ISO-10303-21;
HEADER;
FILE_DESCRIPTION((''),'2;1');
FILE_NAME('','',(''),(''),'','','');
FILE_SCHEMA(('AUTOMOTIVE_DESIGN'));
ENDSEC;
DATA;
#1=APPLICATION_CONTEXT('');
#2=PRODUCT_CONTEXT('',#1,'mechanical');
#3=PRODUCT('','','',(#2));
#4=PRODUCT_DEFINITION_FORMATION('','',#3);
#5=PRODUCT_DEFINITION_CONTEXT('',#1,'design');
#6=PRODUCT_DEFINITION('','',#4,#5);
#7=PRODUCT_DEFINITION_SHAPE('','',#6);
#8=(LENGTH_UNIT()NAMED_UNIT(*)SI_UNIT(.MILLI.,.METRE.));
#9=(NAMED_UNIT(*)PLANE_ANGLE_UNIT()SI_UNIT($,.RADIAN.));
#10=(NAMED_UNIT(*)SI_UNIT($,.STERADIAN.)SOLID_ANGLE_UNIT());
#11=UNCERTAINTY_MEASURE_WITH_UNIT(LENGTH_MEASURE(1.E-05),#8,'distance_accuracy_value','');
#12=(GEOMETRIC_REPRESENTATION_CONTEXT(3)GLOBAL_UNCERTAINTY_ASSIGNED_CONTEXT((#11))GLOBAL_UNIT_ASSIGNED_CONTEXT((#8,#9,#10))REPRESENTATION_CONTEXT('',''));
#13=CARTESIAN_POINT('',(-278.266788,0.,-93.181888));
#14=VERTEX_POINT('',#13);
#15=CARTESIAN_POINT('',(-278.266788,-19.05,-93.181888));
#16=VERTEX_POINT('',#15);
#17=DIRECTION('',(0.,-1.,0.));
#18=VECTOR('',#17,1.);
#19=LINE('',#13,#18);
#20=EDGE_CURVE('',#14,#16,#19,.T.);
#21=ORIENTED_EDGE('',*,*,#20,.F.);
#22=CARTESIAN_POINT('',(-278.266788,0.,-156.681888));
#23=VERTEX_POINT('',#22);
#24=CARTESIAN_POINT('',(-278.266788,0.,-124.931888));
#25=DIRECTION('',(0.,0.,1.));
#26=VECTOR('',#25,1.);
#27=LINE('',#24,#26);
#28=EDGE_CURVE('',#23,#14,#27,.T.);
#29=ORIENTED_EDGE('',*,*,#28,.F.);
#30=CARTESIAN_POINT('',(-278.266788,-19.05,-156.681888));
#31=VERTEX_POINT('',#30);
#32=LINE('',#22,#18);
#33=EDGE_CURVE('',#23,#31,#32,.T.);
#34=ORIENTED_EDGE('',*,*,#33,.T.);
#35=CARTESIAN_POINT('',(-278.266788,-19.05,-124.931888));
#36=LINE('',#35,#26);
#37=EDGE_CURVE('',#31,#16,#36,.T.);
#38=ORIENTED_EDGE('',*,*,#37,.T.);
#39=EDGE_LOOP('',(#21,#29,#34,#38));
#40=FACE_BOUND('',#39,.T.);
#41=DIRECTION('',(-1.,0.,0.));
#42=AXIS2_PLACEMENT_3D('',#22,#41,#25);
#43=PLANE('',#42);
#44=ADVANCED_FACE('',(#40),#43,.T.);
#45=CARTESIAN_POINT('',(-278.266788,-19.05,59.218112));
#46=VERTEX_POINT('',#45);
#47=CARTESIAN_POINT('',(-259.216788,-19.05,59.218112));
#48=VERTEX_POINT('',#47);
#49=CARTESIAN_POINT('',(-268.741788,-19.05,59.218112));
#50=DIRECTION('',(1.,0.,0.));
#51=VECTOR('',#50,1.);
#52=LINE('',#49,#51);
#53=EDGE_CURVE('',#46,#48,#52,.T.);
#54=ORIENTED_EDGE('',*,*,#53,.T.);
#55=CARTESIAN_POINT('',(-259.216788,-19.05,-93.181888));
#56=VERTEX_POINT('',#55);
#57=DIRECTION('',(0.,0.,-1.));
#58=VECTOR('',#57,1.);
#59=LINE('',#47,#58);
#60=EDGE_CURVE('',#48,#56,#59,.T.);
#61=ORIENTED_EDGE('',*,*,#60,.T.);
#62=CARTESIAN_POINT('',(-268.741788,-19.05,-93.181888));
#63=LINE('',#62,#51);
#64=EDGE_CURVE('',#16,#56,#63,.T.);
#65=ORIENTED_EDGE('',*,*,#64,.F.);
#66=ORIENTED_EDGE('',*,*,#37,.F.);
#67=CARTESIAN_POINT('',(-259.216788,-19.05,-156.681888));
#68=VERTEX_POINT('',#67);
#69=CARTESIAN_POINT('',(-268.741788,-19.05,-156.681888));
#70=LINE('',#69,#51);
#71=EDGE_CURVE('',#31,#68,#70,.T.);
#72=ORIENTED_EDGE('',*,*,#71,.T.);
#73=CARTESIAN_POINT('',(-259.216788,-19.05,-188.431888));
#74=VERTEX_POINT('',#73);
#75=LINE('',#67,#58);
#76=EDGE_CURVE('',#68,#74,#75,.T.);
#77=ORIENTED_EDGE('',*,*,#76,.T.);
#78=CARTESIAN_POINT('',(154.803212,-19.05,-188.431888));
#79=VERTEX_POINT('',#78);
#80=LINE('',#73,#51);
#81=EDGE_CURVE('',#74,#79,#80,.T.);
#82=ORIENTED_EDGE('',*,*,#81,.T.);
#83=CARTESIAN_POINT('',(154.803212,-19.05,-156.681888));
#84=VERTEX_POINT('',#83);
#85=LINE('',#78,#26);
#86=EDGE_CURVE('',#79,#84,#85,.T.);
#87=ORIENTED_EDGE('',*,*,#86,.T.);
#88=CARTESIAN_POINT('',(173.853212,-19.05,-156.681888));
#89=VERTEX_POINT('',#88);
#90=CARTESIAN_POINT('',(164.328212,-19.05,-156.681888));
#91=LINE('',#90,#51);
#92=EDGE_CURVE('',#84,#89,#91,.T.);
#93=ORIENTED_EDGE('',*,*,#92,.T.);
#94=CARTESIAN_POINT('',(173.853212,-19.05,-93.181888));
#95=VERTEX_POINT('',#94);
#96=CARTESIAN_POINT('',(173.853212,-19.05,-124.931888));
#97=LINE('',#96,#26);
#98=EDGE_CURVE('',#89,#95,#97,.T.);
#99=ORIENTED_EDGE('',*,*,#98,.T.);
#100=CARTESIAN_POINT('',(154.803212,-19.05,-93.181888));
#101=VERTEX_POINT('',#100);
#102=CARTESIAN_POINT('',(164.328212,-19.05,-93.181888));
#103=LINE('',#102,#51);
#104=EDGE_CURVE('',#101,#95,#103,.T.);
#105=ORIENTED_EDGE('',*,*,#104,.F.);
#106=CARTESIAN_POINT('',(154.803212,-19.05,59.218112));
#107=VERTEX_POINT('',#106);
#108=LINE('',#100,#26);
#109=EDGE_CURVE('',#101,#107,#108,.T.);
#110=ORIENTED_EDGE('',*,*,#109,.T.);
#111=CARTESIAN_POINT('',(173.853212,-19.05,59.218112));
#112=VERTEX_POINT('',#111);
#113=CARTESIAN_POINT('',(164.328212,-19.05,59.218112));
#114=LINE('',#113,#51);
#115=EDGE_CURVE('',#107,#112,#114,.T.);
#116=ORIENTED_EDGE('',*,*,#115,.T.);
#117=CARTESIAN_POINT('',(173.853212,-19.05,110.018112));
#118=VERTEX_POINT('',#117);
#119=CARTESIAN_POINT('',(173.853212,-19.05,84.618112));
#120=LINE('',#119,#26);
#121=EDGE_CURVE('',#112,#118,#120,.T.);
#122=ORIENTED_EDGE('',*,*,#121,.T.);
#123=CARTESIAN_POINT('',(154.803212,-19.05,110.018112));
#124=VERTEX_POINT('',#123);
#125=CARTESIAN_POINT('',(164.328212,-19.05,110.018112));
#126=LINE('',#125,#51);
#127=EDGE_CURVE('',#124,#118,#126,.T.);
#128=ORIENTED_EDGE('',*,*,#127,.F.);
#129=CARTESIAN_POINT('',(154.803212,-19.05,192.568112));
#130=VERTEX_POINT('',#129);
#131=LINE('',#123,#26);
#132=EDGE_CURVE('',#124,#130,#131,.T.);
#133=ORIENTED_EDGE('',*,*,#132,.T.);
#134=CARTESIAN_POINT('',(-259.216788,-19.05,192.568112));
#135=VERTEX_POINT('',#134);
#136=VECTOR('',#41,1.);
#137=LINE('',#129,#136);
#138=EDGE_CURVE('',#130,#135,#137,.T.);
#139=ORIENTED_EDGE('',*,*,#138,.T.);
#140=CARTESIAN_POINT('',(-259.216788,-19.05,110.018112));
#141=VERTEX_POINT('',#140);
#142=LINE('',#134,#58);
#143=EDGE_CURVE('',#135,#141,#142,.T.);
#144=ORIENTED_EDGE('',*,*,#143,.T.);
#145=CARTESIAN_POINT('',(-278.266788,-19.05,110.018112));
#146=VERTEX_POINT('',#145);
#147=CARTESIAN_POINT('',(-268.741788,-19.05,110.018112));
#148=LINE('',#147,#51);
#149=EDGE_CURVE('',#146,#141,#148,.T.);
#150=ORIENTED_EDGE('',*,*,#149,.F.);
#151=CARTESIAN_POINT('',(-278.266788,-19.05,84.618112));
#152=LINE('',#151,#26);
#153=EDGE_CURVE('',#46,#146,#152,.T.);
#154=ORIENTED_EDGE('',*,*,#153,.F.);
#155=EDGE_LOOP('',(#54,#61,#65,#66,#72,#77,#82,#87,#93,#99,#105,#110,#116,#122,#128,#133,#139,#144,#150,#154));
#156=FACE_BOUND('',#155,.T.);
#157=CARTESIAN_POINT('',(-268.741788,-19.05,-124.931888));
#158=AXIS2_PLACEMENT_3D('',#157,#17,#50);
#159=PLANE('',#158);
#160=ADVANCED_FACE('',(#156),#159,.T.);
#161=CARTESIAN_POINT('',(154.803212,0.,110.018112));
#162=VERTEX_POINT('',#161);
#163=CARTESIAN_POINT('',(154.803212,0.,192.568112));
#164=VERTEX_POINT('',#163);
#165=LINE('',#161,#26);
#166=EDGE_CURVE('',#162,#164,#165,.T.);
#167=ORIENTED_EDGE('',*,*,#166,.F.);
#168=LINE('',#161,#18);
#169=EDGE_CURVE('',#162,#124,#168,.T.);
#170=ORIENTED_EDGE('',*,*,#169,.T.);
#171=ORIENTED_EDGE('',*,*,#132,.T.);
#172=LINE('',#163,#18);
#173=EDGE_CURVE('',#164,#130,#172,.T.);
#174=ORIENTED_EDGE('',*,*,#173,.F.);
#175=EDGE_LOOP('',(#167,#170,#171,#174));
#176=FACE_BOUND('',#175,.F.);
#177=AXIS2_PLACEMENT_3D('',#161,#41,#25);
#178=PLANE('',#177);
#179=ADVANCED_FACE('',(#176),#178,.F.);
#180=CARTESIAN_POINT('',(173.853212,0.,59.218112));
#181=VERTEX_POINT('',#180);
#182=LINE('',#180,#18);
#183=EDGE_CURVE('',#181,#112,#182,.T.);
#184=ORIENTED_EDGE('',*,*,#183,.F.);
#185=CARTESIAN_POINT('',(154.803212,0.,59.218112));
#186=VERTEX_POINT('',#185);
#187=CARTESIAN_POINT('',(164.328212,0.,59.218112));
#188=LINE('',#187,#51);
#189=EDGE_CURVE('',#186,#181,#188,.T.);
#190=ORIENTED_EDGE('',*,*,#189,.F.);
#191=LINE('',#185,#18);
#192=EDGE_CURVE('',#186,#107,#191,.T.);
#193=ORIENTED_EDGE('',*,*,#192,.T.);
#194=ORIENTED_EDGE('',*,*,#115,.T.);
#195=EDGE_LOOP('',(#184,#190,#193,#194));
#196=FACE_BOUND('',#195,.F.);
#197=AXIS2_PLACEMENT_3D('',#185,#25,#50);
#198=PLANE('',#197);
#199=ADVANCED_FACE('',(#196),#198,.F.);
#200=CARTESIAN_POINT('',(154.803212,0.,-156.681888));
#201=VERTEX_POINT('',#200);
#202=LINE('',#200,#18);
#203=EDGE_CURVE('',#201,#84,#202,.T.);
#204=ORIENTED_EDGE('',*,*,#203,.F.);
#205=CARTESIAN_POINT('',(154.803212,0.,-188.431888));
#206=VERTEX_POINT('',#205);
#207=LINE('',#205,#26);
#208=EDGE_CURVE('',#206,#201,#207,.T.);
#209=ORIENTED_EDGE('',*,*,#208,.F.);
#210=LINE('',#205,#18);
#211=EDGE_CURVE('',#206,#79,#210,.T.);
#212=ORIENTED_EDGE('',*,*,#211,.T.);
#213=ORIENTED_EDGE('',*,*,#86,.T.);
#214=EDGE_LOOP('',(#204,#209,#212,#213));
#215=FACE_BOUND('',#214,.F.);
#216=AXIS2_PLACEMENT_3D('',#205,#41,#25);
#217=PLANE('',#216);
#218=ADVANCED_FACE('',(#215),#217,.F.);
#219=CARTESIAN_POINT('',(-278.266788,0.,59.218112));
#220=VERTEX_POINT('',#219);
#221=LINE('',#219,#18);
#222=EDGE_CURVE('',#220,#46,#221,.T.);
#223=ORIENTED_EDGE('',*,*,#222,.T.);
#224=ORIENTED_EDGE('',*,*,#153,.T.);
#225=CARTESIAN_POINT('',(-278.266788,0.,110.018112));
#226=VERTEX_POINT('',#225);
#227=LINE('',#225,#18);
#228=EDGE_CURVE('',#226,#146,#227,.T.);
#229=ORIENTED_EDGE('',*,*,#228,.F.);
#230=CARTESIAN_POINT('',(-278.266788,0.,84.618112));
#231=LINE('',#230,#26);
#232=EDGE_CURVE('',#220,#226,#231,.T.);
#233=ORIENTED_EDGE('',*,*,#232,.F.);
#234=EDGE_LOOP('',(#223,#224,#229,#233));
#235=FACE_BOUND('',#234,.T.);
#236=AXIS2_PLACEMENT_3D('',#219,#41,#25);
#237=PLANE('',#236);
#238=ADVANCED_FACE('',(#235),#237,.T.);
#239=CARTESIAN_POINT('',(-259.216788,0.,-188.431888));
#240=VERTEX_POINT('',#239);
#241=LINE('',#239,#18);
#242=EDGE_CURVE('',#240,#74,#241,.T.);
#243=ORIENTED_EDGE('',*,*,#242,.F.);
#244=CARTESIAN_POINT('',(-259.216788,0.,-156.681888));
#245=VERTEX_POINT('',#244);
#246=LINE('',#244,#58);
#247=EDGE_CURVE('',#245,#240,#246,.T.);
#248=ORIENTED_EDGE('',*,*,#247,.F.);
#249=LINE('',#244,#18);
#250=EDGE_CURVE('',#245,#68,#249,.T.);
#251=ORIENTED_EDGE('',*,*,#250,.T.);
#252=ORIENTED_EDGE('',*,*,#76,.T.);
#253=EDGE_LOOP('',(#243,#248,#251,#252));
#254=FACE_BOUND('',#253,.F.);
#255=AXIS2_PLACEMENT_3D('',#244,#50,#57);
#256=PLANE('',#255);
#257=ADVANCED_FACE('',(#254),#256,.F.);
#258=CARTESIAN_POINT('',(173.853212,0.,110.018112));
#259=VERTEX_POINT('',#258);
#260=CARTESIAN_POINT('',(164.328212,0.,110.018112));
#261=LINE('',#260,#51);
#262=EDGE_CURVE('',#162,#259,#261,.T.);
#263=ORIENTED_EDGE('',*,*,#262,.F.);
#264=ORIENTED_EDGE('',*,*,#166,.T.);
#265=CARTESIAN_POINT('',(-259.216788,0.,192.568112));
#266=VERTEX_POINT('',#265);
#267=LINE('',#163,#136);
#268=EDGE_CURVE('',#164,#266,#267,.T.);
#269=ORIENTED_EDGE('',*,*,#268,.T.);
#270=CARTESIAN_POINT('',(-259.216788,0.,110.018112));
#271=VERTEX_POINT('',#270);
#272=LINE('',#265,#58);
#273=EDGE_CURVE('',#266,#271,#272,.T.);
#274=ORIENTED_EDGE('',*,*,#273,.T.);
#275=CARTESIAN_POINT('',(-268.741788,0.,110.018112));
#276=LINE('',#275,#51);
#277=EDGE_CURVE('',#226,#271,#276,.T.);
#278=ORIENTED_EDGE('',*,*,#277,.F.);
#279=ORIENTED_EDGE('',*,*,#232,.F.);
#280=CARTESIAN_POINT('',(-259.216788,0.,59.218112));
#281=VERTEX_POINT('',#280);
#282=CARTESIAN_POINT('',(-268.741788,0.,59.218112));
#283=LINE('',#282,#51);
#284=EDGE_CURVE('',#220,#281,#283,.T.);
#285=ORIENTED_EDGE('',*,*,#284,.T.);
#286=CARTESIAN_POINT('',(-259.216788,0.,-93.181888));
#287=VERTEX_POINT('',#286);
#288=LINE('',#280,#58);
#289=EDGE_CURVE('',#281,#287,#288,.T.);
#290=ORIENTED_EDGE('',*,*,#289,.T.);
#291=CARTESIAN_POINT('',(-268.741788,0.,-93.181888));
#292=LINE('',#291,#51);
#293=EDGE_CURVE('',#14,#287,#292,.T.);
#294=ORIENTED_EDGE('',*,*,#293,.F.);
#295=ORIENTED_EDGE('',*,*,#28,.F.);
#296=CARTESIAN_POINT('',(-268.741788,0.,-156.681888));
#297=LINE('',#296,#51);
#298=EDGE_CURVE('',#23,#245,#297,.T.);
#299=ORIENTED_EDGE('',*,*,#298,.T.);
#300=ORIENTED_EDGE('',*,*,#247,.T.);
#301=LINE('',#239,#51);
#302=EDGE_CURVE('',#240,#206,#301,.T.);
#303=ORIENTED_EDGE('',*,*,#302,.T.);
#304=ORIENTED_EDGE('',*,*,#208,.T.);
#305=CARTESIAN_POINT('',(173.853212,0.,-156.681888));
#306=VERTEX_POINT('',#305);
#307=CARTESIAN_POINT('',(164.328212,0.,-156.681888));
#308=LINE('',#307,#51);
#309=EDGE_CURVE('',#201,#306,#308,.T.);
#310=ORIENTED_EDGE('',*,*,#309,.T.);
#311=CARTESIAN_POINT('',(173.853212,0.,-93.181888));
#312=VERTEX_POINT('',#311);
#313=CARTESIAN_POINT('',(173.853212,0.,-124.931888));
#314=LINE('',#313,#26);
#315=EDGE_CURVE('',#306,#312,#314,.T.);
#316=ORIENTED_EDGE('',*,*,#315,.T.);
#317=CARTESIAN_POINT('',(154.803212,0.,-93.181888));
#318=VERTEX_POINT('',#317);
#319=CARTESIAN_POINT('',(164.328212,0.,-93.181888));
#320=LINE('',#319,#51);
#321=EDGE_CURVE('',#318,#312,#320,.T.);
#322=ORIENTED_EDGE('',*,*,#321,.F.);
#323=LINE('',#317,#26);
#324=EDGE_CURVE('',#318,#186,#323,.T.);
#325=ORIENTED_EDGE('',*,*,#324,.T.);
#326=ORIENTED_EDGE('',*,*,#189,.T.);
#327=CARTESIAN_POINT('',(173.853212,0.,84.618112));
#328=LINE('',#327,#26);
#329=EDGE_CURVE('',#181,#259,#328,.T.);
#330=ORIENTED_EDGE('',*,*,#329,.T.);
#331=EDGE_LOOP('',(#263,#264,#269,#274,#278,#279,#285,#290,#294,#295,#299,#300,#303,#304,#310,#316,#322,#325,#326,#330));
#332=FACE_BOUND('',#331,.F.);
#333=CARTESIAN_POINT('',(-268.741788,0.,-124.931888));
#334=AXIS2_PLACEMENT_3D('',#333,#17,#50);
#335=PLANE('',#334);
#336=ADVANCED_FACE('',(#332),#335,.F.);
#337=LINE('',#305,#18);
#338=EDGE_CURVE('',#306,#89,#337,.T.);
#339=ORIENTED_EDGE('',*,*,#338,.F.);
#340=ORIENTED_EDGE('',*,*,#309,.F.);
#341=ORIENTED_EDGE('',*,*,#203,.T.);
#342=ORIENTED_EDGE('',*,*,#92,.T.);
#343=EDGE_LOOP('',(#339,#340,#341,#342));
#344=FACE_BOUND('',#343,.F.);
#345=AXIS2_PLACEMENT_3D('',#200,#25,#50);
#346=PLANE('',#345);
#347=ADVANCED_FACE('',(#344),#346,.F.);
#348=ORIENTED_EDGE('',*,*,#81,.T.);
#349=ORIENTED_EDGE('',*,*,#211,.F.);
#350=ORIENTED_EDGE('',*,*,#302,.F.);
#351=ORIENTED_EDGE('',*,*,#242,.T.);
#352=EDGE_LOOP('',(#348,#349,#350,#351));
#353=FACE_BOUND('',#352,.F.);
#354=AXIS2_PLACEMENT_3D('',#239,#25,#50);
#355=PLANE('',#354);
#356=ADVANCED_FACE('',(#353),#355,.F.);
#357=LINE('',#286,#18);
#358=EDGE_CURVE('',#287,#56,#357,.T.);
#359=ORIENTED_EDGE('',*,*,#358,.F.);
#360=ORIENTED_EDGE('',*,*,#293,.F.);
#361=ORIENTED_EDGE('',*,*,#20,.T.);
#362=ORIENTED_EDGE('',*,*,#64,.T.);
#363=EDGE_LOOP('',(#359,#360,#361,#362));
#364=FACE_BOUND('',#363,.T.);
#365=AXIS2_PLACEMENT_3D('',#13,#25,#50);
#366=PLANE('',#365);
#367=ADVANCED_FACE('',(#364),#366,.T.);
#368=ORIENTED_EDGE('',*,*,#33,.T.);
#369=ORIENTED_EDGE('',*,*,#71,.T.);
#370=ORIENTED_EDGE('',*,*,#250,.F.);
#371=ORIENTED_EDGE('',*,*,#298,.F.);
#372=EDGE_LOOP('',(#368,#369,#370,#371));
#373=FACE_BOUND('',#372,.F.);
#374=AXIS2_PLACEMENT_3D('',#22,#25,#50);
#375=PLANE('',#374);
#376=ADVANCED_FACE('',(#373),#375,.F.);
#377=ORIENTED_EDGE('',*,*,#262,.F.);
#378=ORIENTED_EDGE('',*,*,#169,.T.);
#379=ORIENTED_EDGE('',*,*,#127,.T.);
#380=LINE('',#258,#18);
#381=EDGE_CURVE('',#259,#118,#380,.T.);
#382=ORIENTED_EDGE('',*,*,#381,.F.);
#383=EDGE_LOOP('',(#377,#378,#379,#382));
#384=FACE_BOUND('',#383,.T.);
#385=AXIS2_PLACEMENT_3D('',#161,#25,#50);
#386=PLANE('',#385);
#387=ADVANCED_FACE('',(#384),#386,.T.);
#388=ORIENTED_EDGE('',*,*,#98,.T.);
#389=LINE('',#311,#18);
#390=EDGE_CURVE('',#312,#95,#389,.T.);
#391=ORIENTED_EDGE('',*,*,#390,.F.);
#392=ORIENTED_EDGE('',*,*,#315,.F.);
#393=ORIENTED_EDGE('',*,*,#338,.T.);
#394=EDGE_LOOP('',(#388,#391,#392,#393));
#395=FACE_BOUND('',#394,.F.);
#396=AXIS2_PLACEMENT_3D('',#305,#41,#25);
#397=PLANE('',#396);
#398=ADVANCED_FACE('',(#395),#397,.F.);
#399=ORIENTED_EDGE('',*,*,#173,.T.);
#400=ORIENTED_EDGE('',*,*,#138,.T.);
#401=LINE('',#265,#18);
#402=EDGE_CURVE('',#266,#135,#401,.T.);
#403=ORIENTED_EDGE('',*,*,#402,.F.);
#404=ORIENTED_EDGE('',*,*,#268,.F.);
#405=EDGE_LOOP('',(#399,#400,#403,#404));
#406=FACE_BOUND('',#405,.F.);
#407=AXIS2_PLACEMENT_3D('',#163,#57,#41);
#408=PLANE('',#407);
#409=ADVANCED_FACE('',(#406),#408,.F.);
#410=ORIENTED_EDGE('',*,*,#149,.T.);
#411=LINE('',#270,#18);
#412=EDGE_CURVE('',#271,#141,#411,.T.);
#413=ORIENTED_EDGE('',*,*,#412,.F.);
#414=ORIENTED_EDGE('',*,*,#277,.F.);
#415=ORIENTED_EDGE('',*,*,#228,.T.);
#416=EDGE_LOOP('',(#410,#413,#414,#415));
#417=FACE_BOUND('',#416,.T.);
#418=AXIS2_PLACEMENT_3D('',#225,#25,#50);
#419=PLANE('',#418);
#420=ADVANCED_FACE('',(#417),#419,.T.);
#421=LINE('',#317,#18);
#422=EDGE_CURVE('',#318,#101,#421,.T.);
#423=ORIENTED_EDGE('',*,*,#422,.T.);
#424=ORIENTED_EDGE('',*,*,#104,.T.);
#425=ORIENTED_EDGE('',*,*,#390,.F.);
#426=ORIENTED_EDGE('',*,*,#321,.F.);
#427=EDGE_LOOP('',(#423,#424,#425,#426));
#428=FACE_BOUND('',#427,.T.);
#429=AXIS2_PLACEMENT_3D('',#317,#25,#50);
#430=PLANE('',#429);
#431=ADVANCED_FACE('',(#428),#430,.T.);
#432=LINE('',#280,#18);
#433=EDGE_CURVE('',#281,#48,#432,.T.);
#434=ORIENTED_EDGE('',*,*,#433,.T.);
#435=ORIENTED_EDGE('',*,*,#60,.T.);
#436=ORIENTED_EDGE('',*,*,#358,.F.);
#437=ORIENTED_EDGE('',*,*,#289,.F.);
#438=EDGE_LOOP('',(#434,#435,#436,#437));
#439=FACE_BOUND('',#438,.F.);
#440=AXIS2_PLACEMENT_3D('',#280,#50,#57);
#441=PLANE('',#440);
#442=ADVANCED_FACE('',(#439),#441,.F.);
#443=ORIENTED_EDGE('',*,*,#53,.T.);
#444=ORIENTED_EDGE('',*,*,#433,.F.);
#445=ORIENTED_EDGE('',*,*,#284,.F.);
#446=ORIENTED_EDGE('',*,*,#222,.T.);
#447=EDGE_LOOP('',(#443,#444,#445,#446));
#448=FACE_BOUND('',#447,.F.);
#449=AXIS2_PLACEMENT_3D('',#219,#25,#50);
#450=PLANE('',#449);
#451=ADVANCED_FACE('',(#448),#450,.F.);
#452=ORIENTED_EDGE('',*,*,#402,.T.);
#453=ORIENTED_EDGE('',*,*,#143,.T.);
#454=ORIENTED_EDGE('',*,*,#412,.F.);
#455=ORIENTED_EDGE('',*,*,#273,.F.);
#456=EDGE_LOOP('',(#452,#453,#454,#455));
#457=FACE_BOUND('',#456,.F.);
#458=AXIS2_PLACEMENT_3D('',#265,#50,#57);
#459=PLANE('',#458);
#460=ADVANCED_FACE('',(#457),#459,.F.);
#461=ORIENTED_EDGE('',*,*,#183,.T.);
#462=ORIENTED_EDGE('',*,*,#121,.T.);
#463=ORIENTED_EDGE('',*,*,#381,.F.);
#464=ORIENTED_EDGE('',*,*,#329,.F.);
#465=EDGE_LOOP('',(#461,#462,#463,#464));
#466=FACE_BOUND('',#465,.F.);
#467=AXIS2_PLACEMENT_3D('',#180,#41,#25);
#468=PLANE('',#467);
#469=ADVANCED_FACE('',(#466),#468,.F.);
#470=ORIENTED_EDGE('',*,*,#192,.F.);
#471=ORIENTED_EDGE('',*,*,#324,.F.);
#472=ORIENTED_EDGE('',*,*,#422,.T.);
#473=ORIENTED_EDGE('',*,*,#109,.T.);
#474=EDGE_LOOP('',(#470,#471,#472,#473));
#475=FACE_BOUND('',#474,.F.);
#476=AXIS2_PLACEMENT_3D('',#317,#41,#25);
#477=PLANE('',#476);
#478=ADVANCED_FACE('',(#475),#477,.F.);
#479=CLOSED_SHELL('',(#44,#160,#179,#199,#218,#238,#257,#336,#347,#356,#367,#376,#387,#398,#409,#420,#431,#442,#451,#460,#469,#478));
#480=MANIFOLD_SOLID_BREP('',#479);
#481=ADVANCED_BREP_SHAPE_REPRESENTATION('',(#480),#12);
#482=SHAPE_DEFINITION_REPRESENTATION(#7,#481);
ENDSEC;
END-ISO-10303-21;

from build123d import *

# Parameters (mm, degrees)
F0_W     = 19.05
F0_H     = 63.5
F0_H_2   = 50.8
F1_DEPTH = 19.05


with BuildPart() as f1:
    # F0 (on Front) → F1 (new body)
    with BuildSketch(Plane.XZ):
        with Locations((-268.741788, -124.931888)):
            Rectangle(F0_W, F0_H)
        with Locations((-268.741788, 84.618112)):
            Rectangle(F0_W, F0_H_2)
        with Locations((164.328212, -124.931888)):
            Rectangle(F0_W, F0_H)
        with Locations((164.328212, 84.618112)):
            Rectangle(F0_W, F0_H_2)
        Polygon((-52.206788, 192.568112), (-259.216788, 192.568112), (-259.216788, 110.018112), (-259.216788, 59.218112), (-259.216788, -93.181888), (-259.216788, -156.681888), (-259.216788, -188.431888), (154.803212, -188.431888), (154.803212, -156.681888), (154.803212, -93.181888), (154.803212, 59.218112), (154.803212, 110.018112), (154.803212, 192.568112), align=None)
    extrude(amount=F1_DEPTH)


solid = f1.part
